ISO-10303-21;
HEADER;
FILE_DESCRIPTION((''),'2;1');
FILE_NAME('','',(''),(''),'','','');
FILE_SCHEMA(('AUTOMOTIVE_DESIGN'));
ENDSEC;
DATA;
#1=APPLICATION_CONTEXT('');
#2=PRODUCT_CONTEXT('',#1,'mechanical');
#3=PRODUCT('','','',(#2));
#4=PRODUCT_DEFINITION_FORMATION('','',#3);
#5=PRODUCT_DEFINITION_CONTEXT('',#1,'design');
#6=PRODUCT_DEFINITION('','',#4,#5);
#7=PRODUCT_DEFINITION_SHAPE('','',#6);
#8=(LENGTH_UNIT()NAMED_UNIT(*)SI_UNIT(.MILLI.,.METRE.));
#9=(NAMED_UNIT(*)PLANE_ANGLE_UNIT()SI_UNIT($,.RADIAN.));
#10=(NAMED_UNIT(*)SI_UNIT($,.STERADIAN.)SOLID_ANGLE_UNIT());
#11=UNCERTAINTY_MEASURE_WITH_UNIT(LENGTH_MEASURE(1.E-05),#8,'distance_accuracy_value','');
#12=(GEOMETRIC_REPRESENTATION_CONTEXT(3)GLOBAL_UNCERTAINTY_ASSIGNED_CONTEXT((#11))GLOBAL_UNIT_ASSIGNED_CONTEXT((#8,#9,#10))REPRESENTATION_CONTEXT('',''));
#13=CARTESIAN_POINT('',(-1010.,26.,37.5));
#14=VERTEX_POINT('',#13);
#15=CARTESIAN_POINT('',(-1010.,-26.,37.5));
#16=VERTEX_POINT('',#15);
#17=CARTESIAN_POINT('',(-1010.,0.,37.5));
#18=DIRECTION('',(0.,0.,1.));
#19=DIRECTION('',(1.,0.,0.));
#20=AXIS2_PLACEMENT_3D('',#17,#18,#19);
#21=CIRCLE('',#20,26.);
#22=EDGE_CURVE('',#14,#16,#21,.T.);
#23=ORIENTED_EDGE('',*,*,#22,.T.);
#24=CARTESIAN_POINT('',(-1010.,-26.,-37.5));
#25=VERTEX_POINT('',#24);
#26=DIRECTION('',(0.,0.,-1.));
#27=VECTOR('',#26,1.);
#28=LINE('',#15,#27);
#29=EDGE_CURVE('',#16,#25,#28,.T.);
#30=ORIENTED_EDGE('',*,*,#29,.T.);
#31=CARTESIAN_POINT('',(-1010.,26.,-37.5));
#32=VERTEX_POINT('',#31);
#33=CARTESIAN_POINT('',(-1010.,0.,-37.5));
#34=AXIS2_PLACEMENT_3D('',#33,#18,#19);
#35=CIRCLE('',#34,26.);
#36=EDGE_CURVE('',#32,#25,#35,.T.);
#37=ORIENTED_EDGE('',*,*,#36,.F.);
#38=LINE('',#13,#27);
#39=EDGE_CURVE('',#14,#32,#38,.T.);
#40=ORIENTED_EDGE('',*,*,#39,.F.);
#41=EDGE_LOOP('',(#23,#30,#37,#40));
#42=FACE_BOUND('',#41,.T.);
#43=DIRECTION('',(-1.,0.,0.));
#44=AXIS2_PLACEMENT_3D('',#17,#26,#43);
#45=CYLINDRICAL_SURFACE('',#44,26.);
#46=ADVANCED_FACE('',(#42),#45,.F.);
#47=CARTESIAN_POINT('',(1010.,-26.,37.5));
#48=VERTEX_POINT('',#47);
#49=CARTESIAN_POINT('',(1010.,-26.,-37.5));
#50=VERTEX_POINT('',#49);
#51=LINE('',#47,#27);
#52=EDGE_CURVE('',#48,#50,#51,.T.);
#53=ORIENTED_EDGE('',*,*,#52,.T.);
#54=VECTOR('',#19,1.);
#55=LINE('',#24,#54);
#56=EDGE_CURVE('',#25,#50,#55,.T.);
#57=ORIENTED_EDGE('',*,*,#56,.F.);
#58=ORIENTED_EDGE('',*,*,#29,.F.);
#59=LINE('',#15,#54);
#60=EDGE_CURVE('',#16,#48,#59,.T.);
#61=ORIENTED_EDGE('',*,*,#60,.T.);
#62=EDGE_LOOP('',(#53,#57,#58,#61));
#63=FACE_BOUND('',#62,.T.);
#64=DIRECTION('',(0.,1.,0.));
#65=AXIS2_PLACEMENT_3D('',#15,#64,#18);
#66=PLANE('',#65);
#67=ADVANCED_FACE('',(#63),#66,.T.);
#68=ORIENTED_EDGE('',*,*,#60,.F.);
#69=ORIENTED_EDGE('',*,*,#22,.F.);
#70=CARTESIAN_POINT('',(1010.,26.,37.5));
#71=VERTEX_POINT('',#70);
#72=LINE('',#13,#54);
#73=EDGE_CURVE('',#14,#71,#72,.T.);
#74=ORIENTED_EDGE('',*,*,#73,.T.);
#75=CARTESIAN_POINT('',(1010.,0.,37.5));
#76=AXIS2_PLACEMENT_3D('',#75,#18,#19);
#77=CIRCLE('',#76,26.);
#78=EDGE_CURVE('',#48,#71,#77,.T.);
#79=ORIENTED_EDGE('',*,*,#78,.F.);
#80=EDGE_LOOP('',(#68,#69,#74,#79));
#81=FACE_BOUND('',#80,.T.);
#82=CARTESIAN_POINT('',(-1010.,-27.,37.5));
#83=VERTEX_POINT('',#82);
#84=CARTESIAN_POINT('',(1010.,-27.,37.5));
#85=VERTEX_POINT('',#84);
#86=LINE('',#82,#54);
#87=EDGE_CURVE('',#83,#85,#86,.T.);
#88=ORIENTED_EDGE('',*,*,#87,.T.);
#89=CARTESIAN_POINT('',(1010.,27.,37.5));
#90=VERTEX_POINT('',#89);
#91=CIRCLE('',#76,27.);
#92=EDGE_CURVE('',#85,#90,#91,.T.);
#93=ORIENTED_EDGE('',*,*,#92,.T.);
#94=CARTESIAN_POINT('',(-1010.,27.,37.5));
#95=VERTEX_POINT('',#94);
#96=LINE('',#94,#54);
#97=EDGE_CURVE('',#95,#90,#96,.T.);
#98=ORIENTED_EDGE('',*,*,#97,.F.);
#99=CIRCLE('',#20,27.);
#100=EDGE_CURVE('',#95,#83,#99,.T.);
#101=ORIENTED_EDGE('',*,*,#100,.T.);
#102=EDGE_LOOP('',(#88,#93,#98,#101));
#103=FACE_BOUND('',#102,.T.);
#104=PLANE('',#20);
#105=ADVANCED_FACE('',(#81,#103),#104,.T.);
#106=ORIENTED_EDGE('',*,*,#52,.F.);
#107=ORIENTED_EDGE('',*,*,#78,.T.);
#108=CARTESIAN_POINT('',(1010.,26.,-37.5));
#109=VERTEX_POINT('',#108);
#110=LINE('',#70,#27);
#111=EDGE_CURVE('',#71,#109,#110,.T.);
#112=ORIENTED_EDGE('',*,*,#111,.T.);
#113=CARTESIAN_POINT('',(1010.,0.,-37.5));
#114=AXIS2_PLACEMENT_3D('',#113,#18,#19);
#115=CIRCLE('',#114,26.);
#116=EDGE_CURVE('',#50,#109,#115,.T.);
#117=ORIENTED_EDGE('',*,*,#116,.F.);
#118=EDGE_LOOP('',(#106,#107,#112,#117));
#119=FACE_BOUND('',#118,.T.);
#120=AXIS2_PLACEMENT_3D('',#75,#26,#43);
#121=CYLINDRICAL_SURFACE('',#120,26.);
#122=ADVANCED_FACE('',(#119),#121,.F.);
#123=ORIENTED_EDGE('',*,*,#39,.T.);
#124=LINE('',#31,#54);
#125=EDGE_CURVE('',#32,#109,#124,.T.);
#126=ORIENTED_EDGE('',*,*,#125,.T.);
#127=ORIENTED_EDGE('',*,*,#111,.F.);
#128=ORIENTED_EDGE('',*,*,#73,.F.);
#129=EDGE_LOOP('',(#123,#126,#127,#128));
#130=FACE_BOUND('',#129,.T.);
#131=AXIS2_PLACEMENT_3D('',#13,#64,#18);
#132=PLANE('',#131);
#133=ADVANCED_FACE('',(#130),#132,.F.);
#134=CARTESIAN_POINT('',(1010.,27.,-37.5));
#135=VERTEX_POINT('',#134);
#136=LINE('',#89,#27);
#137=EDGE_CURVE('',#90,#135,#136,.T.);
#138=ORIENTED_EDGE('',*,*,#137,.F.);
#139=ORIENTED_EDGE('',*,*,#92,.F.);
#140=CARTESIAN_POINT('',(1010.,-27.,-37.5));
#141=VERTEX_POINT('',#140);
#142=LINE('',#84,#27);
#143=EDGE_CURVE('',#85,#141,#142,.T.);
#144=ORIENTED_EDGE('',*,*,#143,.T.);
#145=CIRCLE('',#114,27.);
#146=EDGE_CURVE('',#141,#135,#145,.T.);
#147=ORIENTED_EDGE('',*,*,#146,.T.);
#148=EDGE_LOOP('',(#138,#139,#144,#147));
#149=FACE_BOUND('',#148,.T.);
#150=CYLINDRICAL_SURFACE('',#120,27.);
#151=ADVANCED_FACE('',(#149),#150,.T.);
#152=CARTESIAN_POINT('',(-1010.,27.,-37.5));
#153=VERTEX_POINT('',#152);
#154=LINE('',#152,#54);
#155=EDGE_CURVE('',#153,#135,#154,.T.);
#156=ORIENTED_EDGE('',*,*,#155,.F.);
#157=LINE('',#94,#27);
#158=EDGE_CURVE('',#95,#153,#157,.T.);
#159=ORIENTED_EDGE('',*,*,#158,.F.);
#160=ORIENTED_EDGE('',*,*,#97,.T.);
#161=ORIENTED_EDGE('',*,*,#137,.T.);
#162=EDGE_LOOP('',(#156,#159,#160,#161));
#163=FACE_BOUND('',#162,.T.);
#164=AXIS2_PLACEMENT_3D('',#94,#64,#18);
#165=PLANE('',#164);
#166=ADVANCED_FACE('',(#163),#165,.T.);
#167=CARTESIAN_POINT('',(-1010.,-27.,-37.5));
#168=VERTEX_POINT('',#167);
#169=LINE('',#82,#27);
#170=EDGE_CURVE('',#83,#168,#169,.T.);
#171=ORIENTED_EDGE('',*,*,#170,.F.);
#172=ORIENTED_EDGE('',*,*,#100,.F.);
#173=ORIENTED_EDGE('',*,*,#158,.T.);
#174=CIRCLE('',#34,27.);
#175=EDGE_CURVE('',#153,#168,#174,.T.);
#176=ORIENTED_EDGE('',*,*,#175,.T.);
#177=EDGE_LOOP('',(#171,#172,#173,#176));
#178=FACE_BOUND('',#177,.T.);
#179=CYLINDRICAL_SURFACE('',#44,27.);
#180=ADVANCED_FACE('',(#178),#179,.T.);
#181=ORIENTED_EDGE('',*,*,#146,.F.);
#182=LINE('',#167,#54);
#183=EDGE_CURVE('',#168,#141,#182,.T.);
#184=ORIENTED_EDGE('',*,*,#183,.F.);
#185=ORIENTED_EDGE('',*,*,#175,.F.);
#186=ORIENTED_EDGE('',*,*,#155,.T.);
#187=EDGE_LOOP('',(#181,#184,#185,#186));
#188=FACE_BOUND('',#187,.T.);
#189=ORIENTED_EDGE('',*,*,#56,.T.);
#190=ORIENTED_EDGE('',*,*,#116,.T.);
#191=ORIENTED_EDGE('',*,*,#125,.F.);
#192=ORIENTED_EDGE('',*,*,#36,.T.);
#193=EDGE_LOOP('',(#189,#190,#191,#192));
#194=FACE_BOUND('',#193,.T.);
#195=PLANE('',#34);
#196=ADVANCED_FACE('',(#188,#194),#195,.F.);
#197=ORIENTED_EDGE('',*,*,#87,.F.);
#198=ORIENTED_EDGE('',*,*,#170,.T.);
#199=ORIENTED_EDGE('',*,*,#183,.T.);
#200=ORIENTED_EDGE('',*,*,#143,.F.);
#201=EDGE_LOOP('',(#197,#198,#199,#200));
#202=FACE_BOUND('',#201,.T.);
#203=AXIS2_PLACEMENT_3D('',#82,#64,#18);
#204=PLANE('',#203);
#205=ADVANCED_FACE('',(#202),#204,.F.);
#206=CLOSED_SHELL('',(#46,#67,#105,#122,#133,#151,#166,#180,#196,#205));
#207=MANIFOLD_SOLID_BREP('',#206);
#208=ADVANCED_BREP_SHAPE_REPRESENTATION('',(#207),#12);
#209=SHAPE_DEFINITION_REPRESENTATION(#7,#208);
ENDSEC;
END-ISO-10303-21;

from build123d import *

# Parameters (mm, degrees)
EXTRUDE_1_DEPTH = 37.5


with BuildPart() as part:
    # 草图1 → 拉伸-薄壁1 (new body, symmetric)
    with BuildSketch(Plane.XY):
        with BuildLine():
            Line((1010, -27), (-1010, -27))
            ThreePointArc((-1010, -27), (-1037, 0), (-1010, 27))
            Line((-1010, 27), (1010, 27))
            ThreePointArc((1010, 27), (1037, 0), (1010, -27))
        make_face()
        with BuildLine():
            Line((1010, -26), (-1010, -26))
            ThreePointArc((-1010, -26), (-1036, 0), (-1010, 26))
            Line((-1010, 26), (1010, 26))
            ThreePointArc((1010, 26), (1036, 0), (1010, -26))
        make_face(mode=Mode.SUBTRACT)
    extrude(amount=EXTRUDE_1_DEPTH, both=True)


solid = part.part
